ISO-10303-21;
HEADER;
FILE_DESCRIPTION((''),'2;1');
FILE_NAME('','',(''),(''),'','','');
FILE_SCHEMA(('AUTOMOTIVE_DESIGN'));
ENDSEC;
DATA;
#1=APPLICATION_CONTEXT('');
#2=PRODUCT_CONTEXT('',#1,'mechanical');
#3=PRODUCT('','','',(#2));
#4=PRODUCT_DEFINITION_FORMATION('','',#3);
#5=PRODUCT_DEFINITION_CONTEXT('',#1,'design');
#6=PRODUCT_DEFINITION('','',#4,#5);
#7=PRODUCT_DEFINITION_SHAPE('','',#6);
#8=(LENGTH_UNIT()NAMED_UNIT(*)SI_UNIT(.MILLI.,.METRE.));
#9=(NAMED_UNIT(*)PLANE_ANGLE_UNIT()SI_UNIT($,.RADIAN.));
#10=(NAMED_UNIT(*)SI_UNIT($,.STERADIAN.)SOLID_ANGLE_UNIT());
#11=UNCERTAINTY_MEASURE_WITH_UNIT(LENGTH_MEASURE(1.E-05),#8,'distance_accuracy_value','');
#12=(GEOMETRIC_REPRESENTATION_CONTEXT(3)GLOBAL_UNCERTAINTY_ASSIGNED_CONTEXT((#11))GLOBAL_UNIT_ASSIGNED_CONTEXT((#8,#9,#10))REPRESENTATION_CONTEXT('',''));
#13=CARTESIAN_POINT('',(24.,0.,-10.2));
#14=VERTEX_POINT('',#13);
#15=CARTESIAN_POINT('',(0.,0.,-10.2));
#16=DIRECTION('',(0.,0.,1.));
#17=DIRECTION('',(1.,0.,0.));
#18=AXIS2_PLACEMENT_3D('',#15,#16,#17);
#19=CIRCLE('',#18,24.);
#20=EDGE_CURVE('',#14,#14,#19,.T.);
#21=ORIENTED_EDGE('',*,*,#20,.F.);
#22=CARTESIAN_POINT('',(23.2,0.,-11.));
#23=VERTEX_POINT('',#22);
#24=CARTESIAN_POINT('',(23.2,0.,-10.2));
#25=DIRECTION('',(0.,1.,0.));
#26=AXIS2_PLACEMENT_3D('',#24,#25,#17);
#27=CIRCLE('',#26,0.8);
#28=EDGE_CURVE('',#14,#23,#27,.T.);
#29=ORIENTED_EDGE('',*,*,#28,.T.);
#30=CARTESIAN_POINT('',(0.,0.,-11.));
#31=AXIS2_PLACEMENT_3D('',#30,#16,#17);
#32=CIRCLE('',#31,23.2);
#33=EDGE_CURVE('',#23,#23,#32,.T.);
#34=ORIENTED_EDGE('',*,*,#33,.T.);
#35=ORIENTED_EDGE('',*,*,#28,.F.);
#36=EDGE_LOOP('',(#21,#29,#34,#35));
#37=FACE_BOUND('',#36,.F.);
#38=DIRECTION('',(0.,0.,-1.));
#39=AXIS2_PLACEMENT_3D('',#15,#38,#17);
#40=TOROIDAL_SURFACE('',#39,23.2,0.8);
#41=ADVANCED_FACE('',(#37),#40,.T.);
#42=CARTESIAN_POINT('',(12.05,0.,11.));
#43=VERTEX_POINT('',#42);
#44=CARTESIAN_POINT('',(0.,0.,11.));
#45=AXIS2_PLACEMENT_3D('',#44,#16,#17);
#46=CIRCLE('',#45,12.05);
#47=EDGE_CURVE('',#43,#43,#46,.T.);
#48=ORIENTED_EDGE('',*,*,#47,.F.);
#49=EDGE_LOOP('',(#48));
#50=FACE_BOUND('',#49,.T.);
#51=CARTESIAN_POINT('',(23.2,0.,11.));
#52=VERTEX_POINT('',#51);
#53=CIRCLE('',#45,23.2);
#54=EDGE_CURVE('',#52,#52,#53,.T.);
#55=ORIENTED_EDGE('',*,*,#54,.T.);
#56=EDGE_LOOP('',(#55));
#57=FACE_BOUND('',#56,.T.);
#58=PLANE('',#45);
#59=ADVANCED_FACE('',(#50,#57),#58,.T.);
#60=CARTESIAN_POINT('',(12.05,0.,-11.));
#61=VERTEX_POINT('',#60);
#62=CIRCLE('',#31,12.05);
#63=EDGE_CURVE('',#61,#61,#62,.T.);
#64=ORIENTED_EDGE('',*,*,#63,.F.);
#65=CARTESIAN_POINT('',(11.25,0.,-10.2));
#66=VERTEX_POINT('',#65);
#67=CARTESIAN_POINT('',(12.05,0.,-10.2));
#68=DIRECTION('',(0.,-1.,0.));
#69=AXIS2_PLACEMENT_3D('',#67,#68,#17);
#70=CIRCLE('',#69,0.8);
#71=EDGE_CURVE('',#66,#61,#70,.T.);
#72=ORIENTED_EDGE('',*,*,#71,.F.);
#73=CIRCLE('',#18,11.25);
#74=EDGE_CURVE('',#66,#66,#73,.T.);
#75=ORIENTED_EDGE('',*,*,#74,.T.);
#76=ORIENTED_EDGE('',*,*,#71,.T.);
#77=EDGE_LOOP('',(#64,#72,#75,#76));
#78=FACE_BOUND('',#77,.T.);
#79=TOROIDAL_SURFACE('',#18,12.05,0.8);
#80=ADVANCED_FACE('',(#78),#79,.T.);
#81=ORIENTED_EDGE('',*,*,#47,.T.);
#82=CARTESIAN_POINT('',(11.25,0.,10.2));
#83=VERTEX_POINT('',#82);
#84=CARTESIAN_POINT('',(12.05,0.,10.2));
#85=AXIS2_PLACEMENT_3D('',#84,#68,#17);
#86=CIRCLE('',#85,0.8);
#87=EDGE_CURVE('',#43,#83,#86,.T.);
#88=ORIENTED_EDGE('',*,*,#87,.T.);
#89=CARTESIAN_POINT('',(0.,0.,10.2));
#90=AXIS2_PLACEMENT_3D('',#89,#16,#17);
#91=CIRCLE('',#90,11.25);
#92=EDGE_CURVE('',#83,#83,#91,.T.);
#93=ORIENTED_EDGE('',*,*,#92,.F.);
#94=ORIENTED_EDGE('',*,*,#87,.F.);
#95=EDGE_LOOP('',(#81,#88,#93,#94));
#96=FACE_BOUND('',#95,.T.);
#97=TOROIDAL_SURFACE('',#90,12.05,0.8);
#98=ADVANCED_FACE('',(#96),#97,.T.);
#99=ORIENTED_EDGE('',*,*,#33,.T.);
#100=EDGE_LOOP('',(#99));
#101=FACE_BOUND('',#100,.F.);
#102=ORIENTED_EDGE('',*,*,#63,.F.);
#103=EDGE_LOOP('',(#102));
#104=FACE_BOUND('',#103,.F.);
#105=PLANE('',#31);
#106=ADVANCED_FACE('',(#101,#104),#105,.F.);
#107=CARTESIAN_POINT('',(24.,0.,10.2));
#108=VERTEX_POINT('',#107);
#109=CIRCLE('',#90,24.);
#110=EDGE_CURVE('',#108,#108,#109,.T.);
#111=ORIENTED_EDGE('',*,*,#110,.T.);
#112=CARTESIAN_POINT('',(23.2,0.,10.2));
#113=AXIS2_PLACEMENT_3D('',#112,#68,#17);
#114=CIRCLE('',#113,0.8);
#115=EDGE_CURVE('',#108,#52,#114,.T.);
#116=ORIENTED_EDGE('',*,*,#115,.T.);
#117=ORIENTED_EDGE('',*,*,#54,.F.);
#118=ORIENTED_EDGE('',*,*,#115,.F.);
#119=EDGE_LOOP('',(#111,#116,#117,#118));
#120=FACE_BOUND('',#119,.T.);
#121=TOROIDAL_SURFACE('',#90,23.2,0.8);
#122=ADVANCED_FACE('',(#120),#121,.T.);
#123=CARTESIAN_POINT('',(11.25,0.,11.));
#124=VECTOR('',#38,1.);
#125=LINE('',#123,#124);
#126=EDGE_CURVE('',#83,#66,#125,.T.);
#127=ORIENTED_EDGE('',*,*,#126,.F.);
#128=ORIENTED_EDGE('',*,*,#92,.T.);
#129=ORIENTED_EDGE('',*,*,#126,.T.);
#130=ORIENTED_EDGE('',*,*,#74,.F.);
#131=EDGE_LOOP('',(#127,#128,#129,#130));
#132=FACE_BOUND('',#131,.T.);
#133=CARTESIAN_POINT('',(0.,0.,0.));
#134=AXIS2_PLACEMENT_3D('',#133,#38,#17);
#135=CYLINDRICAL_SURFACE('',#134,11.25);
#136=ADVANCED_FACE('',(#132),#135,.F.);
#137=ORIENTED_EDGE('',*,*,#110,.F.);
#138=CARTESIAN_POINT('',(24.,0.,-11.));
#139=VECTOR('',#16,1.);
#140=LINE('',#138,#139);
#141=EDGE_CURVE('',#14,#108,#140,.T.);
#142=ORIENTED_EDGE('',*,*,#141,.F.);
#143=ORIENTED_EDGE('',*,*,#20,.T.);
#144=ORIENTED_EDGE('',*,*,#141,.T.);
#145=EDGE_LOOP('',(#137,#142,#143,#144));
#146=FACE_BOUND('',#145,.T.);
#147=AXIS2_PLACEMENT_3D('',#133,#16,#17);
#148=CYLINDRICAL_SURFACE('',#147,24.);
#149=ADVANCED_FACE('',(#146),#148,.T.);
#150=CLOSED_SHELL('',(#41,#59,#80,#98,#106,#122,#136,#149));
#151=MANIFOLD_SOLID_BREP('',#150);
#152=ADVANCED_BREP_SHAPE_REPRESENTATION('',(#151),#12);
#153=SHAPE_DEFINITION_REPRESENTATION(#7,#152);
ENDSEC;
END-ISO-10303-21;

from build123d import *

# Parameters (mm, degrees)
SKETCH1_R           = 24
SKETCH1_R_2         = 11.25
BOSS_EXTRUDE1_DEPTH = 11
FILLET2_R           = 0.8


with BuildPart() as part:
    # Sketch1 → Boss-Extrude1 (new body, symmetric)
    with BuildSketch(Plane.XY):
        Circle(SKETCH1_R)
        Circle(SKETCH1_R_2, mode=Mode.SUBTRACT)
    extrude(amount=BOSS_EXTRUDE1_DEPTH, both=True)

    # Fillet2
    fillet2_edges = [part.edges().sort_by_distance(p)[0] for p in [
        (-24, 0, -11),
        (-24, 0, 11),
        (-11.25, 0, -11),
        (-11.25, 0, 11),
    ]]
    fillet(fillet2_edges, radius=FILLET2_R)


solid = part.part
